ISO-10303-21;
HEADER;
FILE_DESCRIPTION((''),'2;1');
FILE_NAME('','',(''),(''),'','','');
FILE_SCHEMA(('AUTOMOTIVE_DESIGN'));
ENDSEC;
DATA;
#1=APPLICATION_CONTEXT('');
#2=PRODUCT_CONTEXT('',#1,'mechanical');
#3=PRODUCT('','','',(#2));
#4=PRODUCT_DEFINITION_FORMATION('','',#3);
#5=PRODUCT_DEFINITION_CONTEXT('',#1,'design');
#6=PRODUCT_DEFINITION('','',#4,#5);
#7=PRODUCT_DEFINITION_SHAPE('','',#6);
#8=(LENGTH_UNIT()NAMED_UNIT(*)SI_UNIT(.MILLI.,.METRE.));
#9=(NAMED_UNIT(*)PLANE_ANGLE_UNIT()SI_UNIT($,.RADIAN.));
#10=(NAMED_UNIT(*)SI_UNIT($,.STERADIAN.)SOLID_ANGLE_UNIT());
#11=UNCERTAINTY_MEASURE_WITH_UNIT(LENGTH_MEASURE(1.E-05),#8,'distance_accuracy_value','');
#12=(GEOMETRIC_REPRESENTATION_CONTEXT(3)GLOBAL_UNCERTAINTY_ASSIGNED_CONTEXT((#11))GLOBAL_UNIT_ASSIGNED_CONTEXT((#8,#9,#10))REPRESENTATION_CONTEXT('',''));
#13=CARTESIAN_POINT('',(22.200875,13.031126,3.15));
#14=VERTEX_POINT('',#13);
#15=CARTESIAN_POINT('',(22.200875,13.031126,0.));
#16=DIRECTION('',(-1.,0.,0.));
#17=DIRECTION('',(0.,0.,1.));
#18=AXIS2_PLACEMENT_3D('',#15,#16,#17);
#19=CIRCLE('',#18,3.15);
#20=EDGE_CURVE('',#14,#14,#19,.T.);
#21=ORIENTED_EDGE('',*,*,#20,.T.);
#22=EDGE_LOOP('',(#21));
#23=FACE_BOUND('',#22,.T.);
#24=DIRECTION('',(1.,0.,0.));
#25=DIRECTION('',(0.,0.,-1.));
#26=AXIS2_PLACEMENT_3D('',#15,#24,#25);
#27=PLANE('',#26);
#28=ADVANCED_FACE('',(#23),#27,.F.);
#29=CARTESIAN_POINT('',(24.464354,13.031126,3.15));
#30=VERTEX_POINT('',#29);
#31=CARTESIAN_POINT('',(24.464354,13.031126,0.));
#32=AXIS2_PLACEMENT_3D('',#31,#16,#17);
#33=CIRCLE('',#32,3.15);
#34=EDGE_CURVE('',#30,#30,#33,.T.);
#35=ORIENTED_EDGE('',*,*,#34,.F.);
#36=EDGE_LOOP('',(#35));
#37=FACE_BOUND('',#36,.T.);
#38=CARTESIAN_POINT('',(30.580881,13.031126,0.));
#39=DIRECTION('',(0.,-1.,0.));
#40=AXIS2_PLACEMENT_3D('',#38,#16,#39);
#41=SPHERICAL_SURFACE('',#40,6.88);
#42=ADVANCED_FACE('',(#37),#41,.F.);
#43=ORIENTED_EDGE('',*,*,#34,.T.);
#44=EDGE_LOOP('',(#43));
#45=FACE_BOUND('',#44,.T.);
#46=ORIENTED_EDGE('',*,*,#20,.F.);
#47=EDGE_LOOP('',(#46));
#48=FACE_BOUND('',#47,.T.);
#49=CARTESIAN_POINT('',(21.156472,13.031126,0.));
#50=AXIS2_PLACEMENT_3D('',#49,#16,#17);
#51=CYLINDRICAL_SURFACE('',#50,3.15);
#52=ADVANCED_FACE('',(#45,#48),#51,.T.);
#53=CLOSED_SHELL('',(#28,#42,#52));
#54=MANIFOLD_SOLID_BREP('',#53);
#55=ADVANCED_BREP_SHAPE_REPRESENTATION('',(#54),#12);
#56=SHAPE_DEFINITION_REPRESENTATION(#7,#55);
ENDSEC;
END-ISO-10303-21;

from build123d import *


with BuildPart() as part:
    # 草图1 → 旋转1 (revolve)
    with BuildSketch(Plane.XY, mode=Mode.PRIVATE) as revolve_1_sk:
        with BuildLine():
            Line((22.200875489, 13.031126091), (22.200875489, 16.181126091))
            Line((22.200875489, 16.181126091), (24.46435373, 16.181126091))
            ThreePointArc((24.46435373, 16.181126091), (23.894472506, 14.651727163), (23.700880523, 13.031126091))
            Line((23.700880523, 13.031126091), (22.200875489, 13.031126091))
        make_face()
    revolve(revolve_1_sk.sketch.rotate(Axis((21.156471922, 13.031126091, 0), (1, 0, 0)), 180), axis=Axis((21.156471922, 13.031126091, 0), (1, 0, 0)))  # turned: the seam where the file's is


solid = part.part
